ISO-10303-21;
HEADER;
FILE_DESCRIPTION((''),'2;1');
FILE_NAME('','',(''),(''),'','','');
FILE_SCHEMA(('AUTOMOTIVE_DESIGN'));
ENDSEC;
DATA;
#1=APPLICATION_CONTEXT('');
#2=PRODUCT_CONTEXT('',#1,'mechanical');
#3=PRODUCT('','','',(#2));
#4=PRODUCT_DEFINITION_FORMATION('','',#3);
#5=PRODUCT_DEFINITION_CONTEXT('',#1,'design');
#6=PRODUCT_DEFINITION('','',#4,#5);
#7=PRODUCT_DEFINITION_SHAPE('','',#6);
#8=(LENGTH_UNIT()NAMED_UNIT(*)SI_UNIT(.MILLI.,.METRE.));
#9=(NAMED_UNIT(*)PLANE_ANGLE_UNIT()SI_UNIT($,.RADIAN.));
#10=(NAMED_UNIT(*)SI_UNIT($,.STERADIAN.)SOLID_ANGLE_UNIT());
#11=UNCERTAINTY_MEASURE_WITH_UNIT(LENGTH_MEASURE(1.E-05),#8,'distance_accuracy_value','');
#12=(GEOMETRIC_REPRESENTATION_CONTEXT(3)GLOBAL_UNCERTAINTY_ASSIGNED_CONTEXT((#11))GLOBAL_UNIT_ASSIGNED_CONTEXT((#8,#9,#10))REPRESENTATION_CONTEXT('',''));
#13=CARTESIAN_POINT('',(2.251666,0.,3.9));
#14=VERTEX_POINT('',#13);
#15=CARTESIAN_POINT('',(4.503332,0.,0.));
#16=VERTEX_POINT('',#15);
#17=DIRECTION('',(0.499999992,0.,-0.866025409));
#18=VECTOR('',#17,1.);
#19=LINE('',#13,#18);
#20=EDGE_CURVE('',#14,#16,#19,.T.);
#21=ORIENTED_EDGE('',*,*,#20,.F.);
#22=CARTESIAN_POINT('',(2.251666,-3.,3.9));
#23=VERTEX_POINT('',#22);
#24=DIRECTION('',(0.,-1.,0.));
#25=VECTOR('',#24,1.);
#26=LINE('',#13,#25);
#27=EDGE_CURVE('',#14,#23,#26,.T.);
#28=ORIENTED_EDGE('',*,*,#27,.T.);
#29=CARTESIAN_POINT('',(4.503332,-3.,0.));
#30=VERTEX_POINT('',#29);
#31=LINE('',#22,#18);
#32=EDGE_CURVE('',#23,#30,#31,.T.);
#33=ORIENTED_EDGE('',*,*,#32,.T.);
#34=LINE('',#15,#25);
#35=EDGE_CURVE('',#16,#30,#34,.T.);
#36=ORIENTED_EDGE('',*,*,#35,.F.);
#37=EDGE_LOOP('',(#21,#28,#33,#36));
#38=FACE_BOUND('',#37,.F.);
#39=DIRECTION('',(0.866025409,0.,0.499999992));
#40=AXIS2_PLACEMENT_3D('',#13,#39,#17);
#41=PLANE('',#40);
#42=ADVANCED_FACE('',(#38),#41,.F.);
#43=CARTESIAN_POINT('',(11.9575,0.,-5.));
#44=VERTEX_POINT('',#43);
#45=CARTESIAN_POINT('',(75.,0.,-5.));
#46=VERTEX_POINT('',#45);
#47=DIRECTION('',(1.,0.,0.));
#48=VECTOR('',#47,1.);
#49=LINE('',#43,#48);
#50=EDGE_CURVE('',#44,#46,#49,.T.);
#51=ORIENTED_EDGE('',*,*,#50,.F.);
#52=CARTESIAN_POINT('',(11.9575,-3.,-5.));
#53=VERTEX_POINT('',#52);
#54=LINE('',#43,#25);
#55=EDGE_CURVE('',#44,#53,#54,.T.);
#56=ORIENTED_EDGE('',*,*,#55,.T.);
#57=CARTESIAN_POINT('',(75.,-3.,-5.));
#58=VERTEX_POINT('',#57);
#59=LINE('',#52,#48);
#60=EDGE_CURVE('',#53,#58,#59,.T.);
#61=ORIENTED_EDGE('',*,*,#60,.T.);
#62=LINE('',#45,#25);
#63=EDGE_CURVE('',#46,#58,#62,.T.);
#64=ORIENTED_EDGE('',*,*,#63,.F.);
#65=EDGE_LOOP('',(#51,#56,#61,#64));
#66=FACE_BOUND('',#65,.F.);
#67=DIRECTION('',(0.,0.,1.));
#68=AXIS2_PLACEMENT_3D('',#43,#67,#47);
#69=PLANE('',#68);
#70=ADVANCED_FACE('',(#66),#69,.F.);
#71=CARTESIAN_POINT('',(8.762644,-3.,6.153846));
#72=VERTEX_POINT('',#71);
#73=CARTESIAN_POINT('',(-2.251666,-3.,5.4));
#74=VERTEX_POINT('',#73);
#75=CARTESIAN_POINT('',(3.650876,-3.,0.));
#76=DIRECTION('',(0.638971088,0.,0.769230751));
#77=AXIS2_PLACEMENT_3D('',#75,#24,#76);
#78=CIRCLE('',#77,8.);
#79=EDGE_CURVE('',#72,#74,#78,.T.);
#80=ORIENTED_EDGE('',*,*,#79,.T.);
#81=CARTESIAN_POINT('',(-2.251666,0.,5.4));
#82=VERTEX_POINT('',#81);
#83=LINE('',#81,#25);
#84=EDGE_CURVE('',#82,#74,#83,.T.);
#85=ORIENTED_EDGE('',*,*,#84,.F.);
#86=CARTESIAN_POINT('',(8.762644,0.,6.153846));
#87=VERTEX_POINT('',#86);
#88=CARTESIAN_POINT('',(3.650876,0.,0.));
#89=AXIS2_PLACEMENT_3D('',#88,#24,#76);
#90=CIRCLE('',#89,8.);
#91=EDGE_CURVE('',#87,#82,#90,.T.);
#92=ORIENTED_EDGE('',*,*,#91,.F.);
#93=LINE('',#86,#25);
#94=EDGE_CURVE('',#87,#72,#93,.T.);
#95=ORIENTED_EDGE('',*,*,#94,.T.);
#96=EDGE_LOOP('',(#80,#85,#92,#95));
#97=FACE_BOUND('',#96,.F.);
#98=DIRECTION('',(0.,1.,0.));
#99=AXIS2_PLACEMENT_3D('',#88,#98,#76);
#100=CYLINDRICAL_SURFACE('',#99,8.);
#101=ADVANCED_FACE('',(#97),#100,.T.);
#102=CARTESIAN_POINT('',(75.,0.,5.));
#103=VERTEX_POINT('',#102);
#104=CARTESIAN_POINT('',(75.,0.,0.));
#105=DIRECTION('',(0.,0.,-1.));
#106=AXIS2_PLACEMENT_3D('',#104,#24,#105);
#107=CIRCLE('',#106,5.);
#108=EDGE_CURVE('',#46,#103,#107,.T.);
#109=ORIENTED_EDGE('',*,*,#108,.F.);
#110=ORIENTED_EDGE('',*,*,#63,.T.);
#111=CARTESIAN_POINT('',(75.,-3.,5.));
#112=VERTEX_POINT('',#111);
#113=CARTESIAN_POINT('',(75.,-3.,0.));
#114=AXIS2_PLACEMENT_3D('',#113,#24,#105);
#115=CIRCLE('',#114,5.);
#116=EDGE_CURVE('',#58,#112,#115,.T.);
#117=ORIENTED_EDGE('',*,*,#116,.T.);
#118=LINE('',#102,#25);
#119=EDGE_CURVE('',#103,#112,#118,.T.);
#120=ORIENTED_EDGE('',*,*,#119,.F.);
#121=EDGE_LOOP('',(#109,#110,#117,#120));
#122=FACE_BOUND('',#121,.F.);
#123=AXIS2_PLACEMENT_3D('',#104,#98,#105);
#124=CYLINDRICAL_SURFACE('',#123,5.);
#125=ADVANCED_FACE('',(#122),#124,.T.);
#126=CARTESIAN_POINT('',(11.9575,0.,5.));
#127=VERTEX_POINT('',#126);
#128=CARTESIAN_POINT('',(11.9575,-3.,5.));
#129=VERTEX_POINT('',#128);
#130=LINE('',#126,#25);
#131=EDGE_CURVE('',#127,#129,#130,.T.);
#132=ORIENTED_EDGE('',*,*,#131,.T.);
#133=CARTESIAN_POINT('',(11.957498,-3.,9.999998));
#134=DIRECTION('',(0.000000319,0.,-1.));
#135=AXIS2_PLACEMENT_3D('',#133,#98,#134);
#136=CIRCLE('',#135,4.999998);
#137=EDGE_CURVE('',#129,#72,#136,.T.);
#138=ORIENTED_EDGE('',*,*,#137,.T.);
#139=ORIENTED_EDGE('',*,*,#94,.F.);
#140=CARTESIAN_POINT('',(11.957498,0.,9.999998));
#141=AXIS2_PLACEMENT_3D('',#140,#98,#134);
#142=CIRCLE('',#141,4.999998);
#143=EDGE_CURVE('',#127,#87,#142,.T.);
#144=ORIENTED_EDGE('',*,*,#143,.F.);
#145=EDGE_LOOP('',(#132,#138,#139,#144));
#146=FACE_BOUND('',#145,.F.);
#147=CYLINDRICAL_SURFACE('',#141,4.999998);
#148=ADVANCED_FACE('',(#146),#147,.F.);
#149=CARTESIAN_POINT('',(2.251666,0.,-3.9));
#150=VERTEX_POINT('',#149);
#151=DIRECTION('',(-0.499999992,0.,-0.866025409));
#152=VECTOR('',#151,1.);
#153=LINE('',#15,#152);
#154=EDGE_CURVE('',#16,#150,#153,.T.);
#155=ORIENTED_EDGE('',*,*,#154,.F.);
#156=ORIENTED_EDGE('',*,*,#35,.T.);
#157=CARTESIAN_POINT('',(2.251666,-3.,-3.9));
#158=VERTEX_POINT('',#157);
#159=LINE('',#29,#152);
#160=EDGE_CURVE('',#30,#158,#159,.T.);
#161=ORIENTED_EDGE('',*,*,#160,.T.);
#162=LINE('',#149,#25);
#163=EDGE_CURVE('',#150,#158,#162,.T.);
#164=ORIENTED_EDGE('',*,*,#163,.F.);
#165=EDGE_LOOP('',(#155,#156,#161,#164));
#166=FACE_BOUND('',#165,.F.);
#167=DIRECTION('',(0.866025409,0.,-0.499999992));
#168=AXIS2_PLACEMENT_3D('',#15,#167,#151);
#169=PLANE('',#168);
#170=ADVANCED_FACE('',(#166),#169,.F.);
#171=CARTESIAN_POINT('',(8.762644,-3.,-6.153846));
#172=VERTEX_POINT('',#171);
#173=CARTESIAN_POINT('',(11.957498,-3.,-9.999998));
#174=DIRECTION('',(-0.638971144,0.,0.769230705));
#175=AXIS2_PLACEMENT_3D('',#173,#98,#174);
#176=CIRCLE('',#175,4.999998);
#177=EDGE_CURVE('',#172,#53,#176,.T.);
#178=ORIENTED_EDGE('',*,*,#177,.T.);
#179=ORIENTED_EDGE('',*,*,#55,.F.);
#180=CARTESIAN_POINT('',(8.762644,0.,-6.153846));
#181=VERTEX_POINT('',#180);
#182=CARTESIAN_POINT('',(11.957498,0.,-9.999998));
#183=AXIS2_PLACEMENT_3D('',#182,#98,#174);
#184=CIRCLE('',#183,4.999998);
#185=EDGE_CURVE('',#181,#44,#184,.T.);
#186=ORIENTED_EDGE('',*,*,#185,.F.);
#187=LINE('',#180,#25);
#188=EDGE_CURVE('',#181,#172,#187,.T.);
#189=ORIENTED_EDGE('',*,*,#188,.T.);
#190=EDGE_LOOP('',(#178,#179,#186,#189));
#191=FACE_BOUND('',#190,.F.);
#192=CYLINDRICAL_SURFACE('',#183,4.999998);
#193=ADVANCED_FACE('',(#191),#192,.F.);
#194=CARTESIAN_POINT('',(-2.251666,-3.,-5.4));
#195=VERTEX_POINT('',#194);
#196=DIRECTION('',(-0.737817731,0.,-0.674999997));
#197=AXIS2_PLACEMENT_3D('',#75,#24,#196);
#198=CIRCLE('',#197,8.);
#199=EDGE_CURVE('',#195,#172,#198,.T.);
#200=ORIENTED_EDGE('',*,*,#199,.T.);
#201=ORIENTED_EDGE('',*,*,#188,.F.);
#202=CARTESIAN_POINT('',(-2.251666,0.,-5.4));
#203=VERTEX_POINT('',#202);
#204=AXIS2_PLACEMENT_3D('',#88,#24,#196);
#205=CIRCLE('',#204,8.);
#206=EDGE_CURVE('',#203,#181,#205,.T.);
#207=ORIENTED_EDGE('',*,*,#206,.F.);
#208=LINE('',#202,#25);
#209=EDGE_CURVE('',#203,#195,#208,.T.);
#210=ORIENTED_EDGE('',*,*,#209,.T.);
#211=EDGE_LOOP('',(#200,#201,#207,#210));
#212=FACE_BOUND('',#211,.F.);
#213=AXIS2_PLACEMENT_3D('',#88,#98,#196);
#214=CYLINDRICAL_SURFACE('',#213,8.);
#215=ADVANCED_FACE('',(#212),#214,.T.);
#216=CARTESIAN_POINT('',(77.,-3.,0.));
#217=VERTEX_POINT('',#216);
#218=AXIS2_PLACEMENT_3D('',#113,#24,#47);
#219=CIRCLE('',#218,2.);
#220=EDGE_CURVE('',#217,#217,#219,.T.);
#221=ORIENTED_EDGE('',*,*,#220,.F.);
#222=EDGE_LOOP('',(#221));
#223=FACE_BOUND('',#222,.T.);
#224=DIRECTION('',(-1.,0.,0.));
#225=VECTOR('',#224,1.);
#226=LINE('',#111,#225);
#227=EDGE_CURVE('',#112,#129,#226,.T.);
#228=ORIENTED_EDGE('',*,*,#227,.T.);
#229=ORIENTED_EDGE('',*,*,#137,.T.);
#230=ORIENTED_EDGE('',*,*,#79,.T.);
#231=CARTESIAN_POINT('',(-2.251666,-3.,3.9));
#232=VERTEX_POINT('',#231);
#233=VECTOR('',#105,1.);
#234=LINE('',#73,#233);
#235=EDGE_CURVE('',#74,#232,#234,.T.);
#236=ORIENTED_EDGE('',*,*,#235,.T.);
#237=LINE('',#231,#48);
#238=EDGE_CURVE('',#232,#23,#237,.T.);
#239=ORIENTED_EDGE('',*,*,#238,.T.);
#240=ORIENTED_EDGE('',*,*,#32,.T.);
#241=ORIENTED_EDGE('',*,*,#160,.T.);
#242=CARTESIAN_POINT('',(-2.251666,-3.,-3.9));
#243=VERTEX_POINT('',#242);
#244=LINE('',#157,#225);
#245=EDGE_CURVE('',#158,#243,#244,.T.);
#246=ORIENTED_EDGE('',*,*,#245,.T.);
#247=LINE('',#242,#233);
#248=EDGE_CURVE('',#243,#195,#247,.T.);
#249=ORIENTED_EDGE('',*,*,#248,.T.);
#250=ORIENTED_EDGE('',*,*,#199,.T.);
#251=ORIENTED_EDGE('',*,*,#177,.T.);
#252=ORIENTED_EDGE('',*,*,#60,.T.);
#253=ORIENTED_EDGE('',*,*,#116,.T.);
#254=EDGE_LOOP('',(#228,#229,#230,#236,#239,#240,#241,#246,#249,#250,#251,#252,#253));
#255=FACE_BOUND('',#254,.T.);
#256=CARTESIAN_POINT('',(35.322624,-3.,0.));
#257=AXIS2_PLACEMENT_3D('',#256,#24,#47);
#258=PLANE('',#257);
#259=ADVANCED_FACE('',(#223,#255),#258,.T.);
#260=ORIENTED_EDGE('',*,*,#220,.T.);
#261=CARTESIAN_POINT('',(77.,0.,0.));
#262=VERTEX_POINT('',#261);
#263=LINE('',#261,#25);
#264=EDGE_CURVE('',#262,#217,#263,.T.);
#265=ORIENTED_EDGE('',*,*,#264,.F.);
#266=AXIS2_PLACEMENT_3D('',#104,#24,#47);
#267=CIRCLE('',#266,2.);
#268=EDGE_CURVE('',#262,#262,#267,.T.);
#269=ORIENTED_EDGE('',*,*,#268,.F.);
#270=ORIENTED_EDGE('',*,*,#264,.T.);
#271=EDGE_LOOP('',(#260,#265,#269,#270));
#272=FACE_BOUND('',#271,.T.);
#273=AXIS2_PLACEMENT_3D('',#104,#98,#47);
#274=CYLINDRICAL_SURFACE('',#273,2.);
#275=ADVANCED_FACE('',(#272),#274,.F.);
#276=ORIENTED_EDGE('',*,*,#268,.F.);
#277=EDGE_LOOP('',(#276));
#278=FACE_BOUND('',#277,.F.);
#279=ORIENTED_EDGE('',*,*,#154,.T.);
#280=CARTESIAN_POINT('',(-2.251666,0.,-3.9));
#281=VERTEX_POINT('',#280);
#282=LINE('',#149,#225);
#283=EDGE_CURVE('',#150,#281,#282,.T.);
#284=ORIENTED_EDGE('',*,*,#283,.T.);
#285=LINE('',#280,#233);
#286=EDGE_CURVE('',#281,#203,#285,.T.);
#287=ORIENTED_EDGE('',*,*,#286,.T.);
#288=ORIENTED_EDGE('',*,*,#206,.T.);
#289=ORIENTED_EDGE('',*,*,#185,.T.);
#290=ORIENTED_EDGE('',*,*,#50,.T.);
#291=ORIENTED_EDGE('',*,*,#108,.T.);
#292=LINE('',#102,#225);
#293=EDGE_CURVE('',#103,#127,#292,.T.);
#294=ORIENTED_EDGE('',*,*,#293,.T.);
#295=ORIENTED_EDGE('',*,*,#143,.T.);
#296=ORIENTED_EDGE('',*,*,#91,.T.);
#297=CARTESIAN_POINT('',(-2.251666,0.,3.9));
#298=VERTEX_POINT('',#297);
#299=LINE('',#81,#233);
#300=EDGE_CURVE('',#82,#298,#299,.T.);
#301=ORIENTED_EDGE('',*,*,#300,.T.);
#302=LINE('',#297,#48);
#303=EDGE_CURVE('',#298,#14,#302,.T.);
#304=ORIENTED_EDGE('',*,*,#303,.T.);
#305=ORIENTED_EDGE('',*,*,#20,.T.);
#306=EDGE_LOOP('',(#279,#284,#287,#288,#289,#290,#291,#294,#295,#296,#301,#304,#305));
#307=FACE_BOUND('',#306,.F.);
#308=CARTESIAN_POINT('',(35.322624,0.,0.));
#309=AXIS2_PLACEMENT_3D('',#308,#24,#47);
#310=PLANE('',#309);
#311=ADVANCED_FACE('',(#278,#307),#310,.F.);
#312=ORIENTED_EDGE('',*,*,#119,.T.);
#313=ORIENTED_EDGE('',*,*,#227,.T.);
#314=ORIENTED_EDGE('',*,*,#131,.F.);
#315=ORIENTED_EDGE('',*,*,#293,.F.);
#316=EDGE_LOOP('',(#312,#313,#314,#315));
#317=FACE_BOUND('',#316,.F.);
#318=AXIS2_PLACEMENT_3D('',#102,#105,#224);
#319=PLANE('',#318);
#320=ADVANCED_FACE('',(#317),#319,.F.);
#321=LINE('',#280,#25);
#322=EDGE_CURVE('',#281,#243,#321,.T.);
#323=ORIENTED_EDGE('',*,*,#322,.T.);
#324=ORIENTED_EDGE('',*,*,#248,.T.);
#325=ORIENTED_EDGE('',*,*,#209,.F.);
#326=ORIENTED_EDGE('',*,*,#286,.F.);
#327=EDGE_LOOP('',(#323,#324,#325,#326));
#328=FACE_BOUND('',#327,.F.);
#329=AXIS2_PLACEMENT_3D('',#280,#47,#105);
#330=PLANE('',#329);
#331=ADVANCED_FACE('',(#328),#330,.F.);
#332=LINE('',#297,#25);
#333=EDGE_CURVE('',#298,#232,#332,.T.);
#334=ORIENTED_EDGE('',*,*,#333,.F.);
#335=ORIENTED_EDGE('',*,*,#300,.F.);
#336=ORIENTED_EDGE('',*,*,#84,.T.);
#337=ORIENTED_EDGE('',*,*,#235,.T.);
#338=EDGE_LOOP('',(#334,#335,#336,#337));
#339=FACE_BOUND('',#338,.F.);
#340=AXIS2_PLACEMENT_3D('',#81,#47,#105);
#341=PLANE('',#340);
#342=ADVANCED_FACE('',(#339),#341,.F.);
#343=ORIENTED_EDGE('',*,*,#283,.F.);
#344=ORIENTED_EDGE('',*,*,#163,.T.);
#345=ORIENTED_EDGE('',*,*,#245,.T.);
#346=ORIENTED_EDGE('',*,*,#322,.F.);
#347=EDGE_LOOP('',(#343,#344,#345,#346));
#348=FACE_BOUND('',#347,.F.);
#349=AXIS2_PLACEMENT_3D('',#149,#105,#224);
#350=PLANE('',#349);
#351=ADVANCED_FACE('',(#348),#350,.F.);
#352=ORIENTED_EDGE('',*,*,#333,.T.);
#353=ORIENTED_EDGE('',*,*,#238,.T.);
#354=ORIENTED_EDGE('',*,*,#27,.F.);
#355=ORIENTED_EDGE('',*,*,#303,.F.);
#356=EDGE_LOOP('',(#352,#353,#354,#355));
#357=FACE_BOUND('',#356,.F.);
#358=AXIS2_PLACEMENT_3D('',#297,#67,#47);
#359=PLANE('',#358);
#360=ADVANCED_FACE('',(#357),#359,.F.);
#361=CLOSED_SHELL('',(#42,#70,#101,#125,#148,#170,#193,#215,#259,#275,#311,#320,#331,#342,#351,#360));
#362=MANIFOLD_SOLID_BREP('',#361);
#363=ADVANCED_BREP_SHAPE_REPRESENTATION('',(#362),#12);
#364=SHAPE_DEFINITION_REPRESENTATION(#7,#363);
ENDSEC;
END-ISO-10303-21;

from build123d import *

# Parameters (mm, degrees)
F0_R     = 2
F1_DEPTH = 3


with BuildPart() as f1:
    # F0 (on Front) → F1 (new body)
    with BuildSketch(Plane.XZ):
        with BuildLine():
            Line((4.503332, 0), (2.251666, -3.9))
            Line((2.251666, -3.9), (-2.251666, -3.9))
            Line((-2.251666, -3.9), (-2.251666, -5.4))
            ThreePointArc((-2.251666, -5.4), (3.104614, -7.981328), (8.762644, -6.153846))
            ThreePointArc((8.762644, -6.153846), (10.259084, -5.2973), (11.9575, -5))
            Line((11.9575, -5), (75, -5))
            ThreePointArc((75, -5), (80, 0), (75, 5))
            Line((75, 5), (11.9575, 5))
            ThreePointArc((11.9575, 5), (10.259084, 5.2973), (8.762644, 6.153846))
            ThreePointArc((8.762644, 6.153846), (3.104614, 7.981328), (-2.251666, 5.4))
            Line((-2.251666, 5.4), (-2.251666, 3.9))
            Line((-2.251666, 3.9), (2.251666, 3.9))
            Line((2.251666, 3.9), (4.503332, 0))
        make_face()
        with Locations((75, 0)):
            Circle(F0_R, mode=Mode.SUBTRACT)
    extrude(amount=F1_DEPTH)


solid = f1.part
